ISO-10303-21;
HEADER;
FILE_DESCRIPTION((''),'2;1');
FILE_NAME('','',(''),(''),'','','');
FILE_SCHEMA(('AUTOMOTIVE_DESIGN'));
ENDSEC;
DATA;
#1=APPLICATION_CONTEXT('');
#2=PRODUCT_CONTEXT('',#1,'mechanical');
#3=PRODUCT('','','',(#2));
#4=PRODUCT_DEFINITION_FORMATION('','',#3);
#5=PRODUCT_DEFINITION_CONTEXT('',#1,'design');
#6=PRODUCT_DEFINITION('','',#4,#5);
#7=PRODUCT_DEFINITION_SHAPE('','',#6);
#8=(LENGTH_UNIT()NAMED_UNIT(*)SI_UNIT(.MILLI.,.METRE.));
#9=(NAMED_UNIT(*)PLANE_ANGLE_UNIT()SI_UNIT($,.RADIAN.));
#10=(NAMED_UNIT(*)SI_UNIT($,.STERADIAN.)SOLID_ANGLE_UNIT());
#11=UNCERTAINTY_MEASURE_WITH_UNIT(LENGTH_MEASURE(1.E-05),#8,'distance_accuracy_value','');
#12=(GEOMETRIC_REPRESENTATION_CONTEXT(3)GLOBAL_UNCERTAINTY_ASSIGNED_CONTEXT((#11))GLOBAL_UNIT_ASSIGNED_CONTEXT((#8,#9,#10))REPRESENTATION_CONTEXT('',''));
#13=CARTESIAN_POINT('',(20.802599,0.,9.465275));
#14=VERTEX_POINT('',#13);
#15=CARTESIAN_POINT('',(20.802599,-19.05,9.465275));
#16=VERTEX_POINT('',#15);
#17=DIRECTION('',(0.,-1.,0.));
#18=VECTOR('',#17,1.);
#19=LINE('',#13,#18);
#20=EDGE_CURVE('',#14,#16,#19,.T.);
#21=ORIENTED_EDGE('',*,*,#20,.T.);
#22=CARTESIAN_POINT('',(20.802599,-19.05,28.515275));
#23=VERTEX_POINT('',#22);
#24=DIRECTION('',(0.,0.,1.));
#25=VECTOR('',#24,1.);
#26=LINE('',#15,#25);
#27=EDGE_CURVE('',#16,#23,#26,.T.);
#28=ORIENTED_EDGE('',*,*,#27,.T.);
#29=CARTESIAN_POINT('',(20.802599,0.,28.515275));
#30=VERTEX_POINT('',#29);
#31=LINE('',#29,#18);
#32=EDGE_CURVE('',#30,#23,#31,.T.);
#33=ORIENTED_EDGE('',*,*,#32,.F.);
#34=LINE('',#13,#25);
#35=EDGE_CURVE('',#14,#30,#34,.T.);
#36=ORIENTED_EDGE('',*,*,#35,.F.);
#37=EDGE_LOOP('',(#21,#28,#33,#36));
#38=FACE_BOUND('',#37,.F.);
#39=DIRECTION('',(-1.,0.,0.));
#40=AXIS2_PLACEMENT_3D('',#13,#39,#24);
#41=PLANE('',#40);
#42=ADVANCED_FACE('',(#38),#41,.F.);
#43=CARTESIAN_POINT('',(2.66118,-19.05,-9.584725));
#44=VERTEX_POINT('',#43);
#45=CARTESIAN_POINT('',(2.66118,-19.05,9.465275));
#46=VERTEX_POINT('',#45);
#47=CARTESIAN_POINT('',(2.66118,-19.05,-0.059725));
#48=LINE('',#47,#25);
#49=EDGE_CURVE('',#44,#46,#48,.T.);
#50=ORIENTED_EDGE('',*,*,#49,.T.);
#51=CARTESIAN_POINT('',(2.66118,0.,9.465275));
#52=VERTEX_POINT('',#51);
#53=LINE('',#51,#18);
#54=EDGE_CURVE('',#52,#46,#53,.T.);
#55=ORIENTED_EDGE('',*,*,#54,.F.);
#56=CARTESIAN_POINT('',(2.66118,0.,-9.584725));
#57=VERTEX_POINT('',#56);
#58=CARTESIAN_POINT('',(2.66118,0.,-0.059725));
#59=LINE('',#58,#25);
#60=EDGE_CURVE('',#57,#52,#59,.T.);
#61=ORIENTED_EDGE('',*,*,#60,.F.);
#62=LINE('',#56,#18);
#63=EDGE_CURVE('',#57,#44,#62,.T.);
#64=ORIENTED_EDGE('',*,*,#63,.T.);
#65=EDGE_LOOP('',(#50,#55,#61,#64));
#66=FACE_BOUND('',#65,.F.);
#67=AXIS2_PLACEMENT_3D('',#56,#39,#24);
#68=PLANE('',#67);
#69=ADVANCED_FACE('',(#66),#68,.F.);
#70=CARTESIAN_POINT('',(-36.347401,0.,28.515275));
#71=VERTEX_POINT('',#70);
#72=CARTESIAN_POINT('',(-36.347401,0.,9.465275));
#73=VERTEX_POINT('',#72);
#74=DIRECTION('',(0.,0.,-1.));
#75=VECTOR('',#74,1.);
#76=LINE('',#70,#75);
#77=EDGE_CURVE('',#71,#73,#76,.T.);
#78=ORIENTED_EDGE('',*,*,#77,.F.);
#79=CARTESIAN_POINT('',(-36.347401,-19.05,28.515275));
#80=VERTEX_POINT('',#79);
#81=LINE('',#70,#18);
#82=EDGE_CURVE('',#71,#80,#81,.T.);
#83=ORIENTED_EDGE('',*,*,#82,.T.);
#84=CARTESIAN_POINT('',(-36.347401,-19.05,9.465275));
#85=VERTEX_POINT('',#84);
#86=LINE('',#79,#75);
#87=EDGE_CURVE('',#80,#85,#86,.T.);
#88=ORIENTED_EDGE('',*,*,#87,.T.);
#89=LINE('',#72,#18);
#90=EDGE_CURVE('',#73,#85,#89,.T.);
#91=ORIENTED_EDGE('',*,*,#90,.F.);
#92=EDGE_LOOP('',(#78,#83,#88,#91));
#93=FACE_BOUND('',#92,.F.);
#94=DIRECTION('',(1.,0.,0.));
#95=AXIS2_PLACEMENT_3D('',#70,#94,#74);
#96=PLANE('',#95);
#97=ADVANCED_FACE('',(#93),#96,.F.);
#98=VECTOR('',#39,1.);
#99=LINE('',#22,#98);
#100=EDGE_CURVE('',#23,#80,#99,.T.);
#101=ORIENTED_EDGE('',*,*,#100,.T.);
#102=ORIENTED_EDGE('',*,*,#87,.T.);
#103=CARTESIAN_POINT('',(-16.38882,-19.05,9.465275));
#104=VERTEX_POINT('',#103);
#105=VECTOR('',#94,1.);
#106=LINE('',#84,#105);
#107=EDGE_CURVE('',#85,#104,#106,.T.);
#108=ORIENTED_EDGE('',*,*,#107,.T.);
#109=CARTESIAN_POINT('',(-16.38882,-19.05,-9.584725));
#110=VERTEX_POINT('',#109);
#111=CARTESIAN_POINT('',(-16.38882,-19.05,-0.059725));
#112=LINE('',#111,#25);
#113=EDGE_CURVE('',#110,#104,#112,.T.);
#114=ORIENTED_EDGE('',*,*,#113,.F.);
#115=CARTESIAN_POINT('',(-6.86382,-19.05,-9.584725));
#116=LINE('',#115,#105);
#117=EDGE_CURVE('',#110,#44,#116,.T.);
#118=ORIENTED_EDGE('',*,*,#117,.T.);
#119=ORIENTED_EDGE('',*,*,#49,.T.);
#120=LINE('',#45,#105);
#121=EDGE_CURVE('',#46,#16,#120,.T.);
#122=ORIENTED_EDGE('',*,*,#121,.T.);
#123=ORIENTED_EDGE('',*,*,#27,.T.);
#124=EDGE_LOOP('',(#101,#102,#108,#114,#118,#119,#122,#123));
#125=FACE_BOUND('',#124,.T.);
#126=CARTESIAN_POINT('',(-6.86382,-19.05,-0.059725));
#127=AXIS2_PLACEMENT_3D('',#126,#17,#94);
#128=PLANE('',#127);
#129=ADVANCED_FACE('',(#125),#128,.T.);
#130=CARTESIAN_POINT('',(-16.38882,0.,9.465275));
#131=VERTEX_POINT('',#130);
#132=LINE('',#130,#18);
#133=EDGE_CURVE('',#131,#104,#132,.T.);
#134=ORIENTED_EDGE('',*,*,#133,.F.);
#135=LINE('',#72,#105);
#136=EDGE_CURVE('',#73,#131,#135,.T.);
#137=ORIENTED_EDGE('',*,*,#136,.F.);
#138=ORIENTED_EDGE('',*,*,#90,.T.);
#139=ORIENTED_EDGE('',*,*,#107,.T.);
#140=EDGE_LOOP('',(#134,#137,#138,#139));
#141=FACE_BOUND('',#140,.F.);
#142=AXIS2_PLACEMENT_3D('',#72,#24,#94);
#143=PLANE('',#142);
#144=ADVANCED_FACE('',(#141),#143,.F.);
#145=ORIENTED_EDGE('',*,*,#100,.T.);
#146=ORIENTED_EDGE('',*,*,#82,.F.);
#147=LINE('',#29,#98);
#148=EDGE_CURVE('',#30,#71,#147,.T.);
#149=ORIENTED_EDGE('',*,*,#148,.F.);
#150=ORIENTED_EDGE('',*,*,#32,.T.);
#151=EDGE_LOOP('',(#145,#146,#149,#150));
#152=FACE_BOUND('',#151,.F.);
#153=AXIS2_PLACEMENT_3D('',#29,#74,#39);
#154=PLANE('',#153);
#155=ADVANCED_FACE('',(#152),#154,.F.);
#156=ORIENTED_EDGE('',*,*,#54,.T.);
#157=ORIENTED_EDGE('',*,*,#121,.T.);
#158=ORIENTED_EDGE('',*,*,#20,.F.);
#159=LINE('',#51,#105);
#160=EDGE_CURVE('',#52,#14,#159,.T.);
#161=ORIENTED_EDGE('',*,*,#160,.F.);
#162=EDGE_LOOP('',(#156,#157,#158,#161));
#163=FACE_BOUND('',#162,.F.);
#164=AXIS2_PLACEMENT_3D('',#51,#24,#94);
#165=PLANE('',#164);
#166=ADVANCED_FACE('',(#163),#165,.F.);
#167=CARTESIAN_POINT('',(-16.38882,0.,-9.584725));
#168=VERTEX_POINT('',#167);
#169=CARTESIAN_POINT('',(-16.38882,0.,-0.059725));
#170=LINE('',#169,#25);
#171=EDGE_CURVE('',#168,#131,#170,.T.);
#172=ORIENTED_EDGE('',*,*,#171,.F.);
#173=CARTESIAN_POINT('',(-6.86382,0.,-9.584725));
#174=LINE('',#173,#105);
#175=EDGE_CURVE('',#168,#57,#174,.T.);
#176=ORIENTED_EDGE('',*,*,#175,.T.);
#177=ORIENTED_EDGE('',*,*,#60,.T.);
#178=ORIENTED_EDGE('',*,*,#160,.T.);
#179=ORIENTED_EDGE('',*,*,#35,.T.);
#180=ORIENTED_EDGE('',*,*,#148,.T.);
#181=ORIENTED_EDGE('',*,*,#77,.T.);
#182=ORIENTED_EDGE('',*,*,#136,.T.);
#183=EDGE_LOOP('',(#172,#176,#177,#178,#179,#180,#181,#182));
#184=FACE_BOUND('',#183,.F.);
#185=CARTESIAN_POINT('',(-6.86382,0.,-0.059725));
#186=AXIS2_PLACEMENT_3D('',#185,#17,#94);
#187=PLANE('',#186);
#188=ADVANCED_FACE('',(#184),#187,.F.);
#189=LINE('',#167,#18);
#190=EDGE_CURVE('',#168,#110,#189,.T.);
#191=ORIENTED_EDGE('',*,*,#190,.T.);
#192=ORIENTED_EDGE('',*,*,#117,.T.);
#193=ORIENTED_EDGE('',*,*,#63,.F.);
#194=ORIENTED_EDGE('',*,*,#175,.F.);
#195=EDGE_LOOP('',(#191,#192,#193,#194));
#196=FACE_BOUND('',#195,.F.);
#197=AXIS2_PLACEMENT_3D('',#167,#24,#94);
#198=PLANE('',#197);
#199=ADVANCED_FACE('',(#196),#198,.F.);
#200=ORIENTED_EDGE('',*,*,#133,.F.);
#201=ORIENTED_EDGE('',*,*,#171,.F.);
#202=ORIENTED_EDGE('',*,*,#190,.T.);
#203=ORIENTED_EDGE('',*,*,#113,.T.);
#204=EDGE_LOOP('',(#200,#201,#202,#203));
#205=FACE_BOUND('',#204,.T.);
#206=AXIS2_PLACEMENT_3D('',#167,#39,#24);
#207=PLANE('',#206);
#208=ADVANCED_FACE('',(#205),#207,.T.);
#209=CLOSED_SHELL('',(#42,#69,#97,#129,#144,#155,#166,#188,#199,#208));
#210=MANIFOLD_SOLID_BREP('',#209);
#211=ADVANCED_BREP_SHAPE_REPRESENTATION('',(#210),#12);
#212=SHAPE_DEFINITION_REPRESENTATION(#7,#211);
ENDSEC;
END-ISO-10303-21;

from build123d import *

# Parameters (mm, degrees)
F0_W     = 19.05
F0_H     = 19.05
F1_DEPTH = 19.05


with BuildPart() as f1:
    # F0 (on Front) → F1 (new body)
    with BuildSketch(Plane.XZ):
        with Locations((-6.86382, -0.059725)):
            Rectangle(F0_W, F0_H)
        Polygon((20.802599, 28.515275), (-36.347401, 28.515275), (-36.347401, 9.465275), (-16.38882, 9.465275), (2.66118, 9.465275), (20.802599, 9.465275), align=None)
    extrude(amount=F1_DEPTH)


solid = f1.part
